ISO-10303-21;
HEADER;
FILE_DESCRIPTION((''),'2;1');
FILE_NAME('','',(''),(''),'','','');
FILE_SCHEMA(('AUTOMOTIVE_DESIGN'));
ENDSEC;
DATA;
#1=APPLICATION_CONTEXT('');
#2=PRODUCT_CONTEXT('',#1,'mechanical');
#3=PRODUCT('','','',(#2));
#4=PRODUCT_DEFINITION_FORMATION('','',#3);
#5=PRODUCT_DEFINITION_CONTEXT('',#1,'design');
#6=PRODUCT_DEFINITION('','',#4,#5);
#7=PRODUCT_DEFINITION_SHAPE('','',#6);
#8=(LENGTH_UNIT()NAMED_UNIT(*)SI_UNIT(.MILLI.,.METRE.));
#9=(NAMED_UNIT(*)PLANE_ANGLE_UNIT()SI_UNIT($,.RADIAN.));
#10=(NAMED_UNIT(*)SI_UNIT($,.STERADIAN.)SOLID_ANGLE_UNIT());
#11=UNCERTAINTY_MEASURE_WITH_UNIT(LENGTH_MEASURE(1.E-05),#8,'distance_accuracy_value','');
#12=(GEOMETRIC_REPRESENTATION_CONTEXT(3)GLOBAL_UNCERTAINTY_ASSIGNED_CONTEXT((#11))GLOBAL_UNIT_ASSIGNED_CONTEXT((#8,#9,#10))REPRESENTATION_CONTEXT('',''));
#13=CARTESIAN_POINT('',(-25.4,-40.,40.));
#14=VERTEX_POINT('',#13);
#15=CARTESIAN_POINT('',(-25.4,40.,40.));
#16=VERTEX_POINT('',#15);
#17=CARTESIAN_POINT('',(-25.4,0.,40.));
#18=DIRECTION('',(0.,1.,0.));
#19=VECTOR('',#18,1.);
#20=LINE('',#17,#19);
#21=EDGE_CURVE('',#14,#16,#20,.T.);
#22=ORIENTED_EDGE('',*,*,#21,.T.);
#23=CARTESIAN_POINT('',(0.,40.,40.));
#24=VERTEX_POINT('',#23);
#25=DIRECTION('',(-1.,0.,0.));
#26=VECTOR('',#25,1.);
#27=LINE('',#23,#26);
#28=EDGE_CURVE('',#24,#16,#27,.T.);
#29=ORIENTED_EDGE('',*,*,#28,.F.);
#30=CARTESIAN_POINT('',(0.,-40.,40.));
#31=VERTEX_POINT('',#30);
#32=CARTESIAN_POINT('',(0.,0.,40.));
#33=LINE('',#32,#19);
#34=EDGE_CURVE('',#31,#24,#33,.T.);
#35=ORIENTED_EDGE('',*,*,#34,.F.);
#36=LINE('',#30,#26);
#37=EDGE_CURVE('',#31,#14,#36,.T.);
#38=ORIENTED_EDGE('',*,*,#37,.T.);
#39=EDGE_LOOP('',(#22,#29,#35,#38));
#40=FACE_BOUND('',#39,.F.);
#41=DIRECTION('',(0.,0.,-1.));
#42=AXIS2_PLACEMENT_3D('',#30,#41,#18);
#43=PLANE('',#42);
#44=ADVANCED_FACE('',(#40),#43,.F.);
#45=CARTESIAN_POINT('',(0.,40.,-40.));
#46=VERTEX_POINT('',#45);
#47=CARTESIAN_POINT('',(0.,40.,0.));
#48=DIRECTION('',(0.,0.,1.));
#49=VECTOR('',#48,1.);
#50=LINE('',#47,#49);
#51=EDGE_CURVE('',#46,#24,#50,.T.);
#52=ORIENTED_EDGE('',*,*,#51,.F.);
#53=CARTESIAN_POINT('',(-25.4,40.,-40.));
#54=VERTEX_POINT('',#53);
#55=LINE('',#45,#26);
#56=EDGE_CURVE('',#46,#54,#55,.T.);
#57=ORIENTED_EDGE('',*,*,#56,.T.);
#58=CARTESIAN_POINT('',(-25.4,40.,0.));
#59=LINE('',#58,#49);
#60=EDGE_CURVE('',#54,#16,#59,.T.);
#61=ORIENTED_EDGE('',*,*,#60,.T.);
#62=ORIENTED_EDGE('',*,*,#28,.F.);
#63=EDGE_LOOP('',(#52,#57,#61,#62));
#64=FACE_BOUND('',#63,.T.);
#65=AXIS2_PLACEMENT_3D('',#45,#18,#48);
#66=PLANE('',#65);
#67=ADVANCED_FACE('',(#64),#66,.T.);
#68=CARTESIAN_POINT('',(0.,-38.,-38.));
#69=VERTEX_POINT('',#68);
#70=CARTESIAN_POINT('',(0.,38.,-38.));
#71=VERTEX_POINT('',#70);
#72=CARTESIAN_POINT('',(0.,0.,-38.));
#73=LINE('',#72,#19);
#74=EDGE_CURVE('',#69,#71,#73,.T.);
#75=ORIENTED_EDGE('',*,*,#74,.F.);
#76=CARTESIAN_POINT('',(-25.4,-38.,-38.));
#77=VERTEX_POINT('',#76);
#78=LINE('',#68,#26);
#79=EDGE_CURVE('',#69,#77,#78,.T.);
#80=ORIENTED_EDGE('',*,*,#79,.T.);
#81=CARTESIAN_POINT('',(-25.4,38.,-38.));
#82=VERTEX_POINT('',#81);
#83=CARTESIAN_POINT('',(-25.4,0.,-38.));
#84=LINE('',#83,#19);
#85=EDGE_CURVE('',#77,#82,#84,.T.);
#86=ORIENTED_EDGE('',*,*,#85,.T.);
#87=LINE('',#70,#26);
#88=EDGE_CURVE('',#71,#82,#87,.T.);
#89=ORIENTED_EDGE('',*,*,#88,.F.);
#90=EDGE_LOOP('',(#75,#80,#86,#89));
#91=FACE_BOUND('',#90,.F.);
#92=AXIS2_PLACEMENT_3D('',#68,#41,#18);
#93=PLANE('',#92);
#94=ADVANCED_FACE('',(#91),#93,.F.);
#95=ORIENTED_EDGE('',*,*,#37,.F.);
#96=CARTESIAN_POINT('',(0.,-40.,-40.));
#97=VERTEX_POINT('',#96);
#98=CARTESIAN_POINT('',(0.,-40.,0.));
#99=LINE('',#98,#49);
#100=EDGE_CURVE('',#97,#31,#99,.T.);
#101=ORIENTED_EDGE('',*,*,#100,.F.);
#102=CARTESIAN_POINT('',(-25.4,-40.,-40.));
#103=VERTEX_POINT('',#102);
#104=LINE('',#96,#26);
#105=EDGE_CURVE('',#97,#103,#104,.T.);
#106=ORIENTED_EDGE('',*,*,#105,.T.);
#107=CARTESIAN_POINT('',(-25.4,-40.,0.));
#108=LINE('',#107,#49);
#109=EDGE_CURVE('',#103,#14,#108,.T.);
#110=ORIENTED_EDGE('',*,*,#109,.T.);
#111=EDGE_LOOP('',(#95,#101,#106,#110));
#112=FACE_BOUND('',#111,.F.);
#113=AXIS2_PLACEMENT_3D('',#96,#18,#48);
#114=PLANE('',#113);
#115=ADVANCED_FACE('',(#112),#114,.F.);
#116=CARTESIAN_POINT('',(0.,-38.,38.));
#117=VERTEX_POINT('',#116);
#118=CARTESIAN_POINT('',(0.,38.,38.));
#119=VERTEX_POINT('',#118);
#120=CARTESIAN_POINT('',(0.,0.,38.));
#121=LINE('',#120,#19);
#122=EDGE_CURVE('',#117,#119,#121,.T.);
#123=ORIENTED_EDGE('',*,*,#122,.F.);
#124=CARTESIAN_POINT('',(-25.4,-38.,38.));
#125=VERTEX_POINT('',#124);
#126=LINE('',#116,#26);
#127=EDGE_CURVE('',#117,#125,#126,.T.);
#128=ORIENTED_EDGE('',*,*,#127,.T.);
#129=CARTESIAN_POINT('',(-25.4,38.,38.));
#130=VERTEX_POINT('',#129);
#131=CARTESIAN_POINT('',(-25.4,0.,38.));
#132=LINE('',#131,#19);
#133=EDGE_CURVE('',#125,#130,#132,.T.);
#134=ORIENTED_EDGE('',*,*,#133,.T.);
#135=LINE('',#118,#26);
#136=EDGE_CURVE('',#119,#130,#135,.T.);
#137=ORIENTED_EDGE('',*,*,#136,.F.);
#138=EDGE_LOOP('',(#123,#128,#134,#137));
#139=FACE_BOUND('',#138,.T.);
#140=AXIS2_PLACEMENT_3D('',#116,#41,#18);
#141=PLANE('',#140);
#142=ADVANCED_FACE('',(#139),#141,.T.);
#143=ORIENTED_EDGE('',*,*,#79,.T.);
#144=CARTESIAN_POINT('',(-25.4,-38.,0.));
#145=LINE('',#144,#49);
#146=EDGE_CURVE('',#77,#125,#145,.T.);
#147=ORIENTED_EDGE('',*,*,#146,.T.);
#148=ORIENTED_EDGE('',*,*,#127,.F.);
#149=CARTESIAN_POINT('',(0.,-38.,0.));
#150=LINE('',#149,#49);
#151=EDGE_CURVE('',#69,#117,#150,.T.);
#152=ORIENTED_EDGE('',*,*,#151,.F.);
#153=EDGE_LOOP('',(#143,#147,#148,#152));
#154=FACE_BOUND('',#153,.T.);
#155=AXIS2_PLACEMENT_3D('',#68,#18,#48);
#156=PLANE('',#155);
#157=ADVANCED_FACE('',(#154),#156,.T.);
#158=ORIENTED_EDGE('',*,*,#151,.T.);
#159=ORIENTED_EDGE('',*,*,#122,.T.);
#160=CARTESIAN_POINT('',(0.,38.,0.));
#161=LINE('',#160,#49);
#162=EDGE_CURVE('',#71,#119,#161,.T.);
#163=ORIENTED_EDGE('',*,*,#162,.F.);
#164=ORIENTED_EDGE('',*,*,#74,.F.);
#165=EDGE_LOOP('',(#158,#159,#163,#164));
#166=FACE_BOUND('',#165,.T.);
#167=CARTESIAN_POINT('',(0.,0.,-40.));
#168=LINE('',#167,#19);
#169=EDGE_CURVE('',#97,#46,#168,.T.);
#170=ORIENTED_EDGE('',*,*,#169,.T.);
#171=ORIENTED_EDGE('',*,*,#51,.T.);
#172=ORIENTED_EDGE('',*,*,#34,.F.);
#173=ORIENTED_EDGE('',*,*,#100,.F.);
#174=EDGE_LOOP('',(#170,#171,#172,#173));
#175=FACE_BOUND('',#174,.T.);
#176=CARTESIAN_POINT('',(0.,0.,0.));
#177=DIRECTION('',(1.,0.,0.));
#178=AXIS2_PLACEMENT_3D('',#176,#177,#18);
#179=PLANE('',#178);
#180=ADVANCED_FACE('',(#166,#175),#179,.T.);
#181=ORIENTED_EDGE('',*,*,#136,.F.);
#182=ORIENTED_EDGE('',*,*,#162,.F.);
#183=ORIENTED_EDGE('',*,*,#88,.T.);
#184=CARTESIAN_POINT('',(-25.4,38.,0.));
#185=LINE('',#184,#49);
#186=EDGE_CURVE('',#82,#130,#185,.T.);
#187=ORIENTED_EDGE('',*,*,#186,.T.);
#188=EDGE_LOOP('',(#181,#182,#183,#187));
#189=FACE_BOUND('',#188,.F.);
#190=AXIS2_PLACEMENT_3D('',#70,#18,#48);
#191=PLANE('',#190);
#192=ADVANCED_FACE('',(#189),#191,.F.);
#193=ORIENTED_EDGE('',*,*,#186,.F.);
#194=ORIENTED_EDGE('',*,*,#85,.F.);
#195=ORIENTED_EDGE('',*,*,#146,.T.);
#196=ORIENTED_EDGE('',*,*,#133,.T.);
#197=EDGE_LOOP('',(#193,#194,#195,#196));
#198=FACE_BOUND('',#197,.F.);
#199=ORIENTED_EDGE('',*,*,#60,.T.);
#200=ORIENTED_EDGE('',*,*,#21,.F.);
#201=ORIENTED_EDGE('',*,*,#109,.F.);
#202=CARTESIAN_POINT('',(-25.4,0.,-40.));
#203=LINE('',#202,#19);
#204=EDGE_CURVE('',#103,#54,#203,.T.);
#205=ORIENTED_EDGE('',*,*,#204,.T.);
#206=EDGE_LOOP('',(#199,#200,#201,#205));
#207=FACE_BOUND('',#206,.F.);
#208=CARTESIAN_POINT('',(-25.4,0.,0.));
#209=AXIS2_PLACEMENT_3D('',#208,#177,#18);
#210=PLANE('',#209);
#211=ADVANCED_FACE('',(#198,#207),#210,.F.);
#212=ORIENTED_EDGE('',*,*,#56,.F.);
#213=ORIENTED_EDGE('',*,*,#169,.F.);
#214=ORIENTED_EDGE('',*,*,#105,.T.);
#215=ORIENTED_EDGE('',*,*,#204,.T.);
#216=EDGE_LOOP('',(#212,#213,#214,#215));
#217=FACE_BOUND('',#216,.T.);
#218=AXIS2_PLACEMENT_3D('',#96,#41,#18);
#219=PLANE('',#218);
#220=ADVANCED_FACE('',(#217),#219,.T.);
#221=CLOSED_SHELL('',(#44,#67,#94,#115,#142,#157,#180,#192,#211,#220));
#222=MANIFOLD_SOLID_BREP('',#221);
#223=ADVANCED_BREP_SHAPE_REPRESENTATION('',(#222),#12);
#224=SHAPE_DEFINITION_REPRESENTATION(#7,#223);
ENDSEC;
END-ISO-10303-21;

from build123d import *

# Parameters (mm, degrees)
F0_W     = 80
F0_H     = 80
F0_W_2   = 76
F0_H_2   = 76
F1_DEPTH = 25.4


with BuildPart() as f1:
    # F0 (on Right) → F1 (new body)
    with BuildSketch(Plane.YZ):
        Rectangle(F0_W, F0_H)
        Rectangle(F0_W_2, F0_H_2, mode=Mode.SUBTRACT)
    extrude(amount=-F1_DEPTH)


solid = f1.part
